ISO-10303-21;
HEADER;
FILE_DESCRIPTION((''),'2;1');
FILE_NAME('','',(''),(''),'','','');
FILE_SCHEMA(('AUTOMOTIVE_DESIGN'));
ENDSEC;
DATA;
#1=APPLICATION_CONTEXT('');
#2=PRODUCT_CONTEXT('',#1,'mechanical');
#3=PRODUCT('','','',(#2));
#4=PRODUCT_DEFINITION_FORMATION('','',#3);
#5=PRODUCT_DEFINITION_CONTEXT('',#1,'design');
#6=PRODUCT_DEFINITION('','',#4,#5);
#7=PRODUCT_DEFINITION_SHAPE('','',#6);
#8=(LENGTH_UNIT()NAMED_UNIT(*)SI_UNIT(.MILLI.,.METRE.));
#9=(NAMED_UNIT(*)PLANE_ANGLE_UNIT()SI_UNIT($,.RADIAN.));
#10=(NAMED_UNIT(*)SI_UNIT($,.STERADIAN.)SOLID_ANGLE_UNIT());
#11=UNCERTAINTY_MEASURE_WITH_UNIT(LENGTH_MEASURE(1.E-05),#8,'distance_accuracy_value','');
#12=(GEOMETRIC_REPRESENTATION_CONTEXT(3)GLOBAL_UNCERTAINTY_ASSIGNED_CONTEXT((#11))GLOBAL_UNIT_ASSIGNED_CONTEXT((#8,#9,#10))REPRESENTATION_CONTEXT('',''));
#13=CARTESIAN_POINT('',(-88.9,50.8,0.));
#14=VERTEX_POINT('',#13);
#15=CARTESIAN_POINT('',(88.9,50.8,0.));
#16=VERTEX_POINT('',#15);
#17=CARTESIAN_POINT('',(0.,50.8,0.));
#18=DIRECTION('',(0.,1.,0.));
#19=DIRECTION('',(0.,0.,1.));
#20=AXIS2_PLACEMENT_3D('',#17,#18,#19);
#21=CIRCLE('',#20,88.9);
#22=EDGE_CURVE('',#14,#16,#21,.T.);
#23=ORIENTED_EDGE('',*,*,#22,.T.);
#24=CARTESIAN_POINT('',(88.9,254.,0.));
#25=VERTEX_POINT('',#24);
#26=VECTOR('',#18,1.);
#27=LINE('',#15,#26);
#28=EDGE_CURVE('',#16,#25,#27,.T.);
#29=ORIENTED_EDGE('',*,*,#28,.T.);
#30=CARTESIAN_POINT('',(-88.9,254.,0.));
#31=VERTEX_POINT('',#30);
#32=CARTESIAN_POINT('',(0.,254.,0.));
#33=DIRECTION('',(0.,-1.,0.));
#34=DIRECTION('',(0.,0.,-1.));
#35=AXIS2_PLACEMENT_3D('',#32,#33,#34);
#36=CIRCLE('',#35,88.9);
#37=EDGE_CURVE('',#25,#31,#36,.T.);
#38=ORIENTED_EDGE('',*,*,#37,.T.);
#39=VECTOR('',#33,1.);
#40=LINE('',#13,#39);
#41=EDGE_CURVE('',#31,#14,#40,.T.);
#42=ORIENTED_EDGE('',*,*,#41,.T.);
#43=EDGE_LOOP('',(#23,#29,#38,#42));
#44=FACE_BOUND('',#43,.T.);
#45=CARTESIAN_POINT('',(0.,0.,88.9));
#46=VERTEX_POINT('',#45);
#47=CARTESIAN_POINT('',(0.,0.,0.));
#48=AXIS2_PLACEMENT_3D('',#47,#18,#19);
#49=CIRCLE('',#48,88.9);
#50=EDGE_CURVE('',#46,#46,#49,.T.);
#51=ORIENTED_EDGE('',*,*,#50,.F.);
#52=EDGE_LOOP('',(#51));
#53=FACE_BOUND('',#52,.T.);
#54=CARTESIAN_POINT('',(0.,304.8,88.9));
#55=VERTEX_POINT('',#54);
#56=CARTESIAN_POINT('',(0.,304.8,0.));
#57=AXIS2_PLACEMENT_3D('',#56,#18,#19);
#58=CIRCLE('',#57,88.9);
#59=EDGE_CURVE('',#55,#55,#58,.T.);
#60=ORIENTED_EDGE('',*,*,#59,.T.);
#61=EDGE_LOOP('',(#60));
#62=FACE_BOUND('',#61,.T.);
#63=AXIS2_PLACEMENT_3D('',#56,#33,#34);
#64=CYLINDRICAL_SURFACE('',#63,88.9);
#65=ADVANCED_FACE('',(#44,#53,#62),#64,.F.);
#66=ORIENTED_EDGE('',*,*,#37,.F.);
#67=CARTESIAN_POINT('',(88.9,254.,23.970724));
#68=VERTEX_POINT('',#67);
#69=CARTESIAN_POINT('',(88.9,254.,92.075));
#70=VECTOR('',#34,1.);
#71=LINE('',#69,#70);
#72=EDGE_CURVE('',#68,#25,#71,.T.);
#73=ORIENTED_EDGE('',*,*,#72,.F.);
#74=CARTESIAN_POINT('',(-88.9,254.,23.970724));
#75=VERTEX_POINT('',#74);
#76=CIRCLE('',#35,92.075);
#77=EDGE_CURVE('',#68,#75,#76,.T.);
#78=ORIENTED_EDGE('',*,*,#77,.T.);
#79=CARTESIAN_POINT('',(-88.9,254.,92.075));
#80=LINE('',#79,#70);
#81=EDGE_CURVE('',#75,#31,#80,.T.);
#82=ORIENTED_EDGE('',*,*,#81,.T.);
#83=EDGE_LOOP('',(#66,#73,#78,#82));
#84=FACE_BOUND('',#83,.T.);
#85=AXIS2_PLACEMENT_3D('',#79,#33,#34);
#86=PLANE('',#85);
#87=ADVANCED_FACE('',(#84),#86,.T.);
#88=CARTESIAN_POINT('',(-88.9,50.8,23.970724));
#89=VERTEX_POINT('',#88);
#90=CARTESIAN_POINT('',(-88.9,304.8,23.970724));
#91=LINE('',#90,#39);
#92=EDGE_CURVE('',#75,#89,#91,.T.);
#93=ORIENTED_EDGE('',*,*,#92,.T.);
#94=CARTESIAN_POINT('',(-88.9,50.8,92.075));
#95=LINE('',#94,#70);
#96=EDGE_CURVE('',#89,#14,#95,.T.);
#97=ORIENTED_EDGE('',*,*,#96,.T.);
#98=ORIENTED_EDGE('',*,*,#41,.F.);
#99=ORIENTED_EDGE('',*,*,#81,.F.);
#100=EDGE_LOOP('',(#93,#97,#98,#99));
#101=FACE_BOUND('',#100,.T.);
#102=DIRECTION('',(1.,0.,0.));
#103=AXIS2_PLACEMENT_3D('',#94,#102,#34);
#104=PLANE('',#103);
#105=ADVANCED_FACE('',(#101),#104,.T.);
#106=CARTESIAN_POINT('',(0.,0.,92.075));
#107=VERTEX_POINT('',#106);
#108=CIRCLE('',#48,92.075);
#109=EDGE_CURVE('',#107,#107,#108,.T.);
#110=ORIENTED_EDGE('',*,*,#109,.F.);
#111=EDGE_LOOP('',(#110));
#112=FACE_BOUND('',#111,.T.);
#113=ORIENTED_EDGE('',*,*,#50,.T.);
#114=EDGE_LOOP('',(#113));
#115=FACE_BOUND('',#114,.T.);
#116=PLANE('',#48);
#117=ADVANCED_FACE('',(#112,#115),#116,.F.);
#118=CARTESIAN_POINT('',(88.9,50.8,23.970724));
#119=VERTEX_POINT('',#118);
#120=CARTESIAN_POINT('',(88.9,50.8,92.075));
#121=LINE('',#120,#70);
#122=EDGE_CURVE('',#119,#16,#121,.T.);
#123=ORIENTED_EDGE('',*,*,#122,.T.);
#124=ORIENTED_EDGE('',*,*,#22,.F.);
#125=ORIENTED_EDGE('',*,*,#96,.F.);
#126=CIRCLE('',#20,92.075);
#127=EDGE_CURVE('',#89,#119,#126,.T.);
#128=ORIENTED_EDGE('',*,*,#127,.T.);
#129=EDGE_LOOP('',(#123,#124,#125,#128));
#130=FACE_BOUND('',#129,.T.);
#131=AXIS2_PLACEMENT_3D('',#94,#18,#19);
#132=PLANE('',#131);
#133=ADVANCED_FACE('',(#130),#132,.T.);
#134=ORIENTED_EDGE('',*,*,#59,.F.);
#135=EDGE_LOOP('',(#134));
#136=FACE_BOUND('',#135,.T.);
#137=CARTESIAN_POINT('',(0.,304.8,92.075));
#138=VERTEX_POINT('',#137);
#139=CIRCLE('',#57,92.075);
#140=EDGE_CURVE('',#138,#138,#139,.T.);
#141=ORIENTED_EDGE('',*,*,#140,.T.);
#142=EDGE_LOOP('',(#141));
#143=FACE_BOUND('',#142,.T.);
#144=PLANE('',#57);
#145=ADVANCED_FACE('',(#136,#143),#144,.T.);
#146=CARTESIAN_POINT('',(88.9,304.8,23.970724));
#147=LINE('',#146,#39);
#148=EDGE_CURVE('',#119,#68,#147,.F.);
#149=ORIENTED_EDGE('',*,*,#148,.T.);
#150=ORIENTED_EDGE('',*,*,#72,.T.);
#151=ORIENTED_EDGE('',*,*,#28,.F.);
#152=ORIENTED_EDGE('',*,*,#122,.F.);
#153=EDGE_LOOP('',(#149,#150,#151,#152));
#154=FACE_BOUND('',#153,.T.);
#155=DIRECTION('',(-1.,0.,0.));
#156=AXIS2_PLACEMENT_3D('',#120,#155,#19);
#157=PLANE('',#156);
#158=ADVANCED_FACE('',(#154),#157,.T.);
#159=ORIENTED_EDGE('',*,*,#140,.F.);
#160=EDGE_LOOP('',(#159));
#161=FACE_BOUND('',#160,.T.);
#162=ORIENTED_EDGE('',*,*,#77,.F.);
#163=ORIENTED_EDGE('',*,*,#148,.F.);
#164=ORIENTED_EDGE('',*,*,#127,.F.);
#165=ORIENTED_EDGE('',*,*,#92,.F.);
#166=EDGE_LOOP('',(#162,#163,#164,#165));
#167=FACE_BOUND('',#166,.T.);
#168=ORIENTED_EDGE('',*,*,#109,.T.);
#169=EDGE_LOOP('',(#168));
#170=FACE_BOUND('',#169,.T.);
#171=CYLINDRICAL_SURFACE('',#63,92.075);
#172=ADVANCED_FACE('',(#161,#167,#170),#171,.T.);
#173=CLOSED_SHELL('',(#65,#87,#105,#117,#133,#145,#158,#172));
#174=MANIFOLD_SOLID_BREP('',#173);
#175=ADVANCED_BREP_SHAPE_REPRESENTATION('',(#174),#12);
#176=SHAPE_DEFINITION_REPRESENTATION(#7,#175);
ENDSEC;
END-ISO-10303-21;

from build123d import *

# Parameters (mm, degrees)
SKETCH1_R           = 92.075
SKETCH1_R_2         = 88.9
BOSS_EXTRUDE1_DEPTH = 304.8
SKETCH2_W           = 177.8
SKETCH2_H           = 203.2
CUT_EXTRUDE1_DEPTH  = 93.075


with BuildPart() as part:
    # Sketch1 → Boss-Extrude1 (new body)
    with BuildSketch(Plane(origin=(0, 0, 0), x_dir=(1, 0, 0), z_dir=(0, 1, 0))):
        Circle(SKETCH1_R)
        Circle(SKETCH1_R_2, mode=Mode.SUBTRACT)
    extrude(amount=BOSS_EXTRUDE1_DEPTH)

    # Sketch2 → Cut-Extrude1 (cut, through all)
    with BuildSketch(Plane.XY):
        with Locations((0, 152.4)):
            Rectangle(SKETCH2_W, SKETCH2_H)
    extrude(amount=CUT_EXTRUDE1_DEPTH, mode=Mode.SUBTRACT)


solid = part.part
